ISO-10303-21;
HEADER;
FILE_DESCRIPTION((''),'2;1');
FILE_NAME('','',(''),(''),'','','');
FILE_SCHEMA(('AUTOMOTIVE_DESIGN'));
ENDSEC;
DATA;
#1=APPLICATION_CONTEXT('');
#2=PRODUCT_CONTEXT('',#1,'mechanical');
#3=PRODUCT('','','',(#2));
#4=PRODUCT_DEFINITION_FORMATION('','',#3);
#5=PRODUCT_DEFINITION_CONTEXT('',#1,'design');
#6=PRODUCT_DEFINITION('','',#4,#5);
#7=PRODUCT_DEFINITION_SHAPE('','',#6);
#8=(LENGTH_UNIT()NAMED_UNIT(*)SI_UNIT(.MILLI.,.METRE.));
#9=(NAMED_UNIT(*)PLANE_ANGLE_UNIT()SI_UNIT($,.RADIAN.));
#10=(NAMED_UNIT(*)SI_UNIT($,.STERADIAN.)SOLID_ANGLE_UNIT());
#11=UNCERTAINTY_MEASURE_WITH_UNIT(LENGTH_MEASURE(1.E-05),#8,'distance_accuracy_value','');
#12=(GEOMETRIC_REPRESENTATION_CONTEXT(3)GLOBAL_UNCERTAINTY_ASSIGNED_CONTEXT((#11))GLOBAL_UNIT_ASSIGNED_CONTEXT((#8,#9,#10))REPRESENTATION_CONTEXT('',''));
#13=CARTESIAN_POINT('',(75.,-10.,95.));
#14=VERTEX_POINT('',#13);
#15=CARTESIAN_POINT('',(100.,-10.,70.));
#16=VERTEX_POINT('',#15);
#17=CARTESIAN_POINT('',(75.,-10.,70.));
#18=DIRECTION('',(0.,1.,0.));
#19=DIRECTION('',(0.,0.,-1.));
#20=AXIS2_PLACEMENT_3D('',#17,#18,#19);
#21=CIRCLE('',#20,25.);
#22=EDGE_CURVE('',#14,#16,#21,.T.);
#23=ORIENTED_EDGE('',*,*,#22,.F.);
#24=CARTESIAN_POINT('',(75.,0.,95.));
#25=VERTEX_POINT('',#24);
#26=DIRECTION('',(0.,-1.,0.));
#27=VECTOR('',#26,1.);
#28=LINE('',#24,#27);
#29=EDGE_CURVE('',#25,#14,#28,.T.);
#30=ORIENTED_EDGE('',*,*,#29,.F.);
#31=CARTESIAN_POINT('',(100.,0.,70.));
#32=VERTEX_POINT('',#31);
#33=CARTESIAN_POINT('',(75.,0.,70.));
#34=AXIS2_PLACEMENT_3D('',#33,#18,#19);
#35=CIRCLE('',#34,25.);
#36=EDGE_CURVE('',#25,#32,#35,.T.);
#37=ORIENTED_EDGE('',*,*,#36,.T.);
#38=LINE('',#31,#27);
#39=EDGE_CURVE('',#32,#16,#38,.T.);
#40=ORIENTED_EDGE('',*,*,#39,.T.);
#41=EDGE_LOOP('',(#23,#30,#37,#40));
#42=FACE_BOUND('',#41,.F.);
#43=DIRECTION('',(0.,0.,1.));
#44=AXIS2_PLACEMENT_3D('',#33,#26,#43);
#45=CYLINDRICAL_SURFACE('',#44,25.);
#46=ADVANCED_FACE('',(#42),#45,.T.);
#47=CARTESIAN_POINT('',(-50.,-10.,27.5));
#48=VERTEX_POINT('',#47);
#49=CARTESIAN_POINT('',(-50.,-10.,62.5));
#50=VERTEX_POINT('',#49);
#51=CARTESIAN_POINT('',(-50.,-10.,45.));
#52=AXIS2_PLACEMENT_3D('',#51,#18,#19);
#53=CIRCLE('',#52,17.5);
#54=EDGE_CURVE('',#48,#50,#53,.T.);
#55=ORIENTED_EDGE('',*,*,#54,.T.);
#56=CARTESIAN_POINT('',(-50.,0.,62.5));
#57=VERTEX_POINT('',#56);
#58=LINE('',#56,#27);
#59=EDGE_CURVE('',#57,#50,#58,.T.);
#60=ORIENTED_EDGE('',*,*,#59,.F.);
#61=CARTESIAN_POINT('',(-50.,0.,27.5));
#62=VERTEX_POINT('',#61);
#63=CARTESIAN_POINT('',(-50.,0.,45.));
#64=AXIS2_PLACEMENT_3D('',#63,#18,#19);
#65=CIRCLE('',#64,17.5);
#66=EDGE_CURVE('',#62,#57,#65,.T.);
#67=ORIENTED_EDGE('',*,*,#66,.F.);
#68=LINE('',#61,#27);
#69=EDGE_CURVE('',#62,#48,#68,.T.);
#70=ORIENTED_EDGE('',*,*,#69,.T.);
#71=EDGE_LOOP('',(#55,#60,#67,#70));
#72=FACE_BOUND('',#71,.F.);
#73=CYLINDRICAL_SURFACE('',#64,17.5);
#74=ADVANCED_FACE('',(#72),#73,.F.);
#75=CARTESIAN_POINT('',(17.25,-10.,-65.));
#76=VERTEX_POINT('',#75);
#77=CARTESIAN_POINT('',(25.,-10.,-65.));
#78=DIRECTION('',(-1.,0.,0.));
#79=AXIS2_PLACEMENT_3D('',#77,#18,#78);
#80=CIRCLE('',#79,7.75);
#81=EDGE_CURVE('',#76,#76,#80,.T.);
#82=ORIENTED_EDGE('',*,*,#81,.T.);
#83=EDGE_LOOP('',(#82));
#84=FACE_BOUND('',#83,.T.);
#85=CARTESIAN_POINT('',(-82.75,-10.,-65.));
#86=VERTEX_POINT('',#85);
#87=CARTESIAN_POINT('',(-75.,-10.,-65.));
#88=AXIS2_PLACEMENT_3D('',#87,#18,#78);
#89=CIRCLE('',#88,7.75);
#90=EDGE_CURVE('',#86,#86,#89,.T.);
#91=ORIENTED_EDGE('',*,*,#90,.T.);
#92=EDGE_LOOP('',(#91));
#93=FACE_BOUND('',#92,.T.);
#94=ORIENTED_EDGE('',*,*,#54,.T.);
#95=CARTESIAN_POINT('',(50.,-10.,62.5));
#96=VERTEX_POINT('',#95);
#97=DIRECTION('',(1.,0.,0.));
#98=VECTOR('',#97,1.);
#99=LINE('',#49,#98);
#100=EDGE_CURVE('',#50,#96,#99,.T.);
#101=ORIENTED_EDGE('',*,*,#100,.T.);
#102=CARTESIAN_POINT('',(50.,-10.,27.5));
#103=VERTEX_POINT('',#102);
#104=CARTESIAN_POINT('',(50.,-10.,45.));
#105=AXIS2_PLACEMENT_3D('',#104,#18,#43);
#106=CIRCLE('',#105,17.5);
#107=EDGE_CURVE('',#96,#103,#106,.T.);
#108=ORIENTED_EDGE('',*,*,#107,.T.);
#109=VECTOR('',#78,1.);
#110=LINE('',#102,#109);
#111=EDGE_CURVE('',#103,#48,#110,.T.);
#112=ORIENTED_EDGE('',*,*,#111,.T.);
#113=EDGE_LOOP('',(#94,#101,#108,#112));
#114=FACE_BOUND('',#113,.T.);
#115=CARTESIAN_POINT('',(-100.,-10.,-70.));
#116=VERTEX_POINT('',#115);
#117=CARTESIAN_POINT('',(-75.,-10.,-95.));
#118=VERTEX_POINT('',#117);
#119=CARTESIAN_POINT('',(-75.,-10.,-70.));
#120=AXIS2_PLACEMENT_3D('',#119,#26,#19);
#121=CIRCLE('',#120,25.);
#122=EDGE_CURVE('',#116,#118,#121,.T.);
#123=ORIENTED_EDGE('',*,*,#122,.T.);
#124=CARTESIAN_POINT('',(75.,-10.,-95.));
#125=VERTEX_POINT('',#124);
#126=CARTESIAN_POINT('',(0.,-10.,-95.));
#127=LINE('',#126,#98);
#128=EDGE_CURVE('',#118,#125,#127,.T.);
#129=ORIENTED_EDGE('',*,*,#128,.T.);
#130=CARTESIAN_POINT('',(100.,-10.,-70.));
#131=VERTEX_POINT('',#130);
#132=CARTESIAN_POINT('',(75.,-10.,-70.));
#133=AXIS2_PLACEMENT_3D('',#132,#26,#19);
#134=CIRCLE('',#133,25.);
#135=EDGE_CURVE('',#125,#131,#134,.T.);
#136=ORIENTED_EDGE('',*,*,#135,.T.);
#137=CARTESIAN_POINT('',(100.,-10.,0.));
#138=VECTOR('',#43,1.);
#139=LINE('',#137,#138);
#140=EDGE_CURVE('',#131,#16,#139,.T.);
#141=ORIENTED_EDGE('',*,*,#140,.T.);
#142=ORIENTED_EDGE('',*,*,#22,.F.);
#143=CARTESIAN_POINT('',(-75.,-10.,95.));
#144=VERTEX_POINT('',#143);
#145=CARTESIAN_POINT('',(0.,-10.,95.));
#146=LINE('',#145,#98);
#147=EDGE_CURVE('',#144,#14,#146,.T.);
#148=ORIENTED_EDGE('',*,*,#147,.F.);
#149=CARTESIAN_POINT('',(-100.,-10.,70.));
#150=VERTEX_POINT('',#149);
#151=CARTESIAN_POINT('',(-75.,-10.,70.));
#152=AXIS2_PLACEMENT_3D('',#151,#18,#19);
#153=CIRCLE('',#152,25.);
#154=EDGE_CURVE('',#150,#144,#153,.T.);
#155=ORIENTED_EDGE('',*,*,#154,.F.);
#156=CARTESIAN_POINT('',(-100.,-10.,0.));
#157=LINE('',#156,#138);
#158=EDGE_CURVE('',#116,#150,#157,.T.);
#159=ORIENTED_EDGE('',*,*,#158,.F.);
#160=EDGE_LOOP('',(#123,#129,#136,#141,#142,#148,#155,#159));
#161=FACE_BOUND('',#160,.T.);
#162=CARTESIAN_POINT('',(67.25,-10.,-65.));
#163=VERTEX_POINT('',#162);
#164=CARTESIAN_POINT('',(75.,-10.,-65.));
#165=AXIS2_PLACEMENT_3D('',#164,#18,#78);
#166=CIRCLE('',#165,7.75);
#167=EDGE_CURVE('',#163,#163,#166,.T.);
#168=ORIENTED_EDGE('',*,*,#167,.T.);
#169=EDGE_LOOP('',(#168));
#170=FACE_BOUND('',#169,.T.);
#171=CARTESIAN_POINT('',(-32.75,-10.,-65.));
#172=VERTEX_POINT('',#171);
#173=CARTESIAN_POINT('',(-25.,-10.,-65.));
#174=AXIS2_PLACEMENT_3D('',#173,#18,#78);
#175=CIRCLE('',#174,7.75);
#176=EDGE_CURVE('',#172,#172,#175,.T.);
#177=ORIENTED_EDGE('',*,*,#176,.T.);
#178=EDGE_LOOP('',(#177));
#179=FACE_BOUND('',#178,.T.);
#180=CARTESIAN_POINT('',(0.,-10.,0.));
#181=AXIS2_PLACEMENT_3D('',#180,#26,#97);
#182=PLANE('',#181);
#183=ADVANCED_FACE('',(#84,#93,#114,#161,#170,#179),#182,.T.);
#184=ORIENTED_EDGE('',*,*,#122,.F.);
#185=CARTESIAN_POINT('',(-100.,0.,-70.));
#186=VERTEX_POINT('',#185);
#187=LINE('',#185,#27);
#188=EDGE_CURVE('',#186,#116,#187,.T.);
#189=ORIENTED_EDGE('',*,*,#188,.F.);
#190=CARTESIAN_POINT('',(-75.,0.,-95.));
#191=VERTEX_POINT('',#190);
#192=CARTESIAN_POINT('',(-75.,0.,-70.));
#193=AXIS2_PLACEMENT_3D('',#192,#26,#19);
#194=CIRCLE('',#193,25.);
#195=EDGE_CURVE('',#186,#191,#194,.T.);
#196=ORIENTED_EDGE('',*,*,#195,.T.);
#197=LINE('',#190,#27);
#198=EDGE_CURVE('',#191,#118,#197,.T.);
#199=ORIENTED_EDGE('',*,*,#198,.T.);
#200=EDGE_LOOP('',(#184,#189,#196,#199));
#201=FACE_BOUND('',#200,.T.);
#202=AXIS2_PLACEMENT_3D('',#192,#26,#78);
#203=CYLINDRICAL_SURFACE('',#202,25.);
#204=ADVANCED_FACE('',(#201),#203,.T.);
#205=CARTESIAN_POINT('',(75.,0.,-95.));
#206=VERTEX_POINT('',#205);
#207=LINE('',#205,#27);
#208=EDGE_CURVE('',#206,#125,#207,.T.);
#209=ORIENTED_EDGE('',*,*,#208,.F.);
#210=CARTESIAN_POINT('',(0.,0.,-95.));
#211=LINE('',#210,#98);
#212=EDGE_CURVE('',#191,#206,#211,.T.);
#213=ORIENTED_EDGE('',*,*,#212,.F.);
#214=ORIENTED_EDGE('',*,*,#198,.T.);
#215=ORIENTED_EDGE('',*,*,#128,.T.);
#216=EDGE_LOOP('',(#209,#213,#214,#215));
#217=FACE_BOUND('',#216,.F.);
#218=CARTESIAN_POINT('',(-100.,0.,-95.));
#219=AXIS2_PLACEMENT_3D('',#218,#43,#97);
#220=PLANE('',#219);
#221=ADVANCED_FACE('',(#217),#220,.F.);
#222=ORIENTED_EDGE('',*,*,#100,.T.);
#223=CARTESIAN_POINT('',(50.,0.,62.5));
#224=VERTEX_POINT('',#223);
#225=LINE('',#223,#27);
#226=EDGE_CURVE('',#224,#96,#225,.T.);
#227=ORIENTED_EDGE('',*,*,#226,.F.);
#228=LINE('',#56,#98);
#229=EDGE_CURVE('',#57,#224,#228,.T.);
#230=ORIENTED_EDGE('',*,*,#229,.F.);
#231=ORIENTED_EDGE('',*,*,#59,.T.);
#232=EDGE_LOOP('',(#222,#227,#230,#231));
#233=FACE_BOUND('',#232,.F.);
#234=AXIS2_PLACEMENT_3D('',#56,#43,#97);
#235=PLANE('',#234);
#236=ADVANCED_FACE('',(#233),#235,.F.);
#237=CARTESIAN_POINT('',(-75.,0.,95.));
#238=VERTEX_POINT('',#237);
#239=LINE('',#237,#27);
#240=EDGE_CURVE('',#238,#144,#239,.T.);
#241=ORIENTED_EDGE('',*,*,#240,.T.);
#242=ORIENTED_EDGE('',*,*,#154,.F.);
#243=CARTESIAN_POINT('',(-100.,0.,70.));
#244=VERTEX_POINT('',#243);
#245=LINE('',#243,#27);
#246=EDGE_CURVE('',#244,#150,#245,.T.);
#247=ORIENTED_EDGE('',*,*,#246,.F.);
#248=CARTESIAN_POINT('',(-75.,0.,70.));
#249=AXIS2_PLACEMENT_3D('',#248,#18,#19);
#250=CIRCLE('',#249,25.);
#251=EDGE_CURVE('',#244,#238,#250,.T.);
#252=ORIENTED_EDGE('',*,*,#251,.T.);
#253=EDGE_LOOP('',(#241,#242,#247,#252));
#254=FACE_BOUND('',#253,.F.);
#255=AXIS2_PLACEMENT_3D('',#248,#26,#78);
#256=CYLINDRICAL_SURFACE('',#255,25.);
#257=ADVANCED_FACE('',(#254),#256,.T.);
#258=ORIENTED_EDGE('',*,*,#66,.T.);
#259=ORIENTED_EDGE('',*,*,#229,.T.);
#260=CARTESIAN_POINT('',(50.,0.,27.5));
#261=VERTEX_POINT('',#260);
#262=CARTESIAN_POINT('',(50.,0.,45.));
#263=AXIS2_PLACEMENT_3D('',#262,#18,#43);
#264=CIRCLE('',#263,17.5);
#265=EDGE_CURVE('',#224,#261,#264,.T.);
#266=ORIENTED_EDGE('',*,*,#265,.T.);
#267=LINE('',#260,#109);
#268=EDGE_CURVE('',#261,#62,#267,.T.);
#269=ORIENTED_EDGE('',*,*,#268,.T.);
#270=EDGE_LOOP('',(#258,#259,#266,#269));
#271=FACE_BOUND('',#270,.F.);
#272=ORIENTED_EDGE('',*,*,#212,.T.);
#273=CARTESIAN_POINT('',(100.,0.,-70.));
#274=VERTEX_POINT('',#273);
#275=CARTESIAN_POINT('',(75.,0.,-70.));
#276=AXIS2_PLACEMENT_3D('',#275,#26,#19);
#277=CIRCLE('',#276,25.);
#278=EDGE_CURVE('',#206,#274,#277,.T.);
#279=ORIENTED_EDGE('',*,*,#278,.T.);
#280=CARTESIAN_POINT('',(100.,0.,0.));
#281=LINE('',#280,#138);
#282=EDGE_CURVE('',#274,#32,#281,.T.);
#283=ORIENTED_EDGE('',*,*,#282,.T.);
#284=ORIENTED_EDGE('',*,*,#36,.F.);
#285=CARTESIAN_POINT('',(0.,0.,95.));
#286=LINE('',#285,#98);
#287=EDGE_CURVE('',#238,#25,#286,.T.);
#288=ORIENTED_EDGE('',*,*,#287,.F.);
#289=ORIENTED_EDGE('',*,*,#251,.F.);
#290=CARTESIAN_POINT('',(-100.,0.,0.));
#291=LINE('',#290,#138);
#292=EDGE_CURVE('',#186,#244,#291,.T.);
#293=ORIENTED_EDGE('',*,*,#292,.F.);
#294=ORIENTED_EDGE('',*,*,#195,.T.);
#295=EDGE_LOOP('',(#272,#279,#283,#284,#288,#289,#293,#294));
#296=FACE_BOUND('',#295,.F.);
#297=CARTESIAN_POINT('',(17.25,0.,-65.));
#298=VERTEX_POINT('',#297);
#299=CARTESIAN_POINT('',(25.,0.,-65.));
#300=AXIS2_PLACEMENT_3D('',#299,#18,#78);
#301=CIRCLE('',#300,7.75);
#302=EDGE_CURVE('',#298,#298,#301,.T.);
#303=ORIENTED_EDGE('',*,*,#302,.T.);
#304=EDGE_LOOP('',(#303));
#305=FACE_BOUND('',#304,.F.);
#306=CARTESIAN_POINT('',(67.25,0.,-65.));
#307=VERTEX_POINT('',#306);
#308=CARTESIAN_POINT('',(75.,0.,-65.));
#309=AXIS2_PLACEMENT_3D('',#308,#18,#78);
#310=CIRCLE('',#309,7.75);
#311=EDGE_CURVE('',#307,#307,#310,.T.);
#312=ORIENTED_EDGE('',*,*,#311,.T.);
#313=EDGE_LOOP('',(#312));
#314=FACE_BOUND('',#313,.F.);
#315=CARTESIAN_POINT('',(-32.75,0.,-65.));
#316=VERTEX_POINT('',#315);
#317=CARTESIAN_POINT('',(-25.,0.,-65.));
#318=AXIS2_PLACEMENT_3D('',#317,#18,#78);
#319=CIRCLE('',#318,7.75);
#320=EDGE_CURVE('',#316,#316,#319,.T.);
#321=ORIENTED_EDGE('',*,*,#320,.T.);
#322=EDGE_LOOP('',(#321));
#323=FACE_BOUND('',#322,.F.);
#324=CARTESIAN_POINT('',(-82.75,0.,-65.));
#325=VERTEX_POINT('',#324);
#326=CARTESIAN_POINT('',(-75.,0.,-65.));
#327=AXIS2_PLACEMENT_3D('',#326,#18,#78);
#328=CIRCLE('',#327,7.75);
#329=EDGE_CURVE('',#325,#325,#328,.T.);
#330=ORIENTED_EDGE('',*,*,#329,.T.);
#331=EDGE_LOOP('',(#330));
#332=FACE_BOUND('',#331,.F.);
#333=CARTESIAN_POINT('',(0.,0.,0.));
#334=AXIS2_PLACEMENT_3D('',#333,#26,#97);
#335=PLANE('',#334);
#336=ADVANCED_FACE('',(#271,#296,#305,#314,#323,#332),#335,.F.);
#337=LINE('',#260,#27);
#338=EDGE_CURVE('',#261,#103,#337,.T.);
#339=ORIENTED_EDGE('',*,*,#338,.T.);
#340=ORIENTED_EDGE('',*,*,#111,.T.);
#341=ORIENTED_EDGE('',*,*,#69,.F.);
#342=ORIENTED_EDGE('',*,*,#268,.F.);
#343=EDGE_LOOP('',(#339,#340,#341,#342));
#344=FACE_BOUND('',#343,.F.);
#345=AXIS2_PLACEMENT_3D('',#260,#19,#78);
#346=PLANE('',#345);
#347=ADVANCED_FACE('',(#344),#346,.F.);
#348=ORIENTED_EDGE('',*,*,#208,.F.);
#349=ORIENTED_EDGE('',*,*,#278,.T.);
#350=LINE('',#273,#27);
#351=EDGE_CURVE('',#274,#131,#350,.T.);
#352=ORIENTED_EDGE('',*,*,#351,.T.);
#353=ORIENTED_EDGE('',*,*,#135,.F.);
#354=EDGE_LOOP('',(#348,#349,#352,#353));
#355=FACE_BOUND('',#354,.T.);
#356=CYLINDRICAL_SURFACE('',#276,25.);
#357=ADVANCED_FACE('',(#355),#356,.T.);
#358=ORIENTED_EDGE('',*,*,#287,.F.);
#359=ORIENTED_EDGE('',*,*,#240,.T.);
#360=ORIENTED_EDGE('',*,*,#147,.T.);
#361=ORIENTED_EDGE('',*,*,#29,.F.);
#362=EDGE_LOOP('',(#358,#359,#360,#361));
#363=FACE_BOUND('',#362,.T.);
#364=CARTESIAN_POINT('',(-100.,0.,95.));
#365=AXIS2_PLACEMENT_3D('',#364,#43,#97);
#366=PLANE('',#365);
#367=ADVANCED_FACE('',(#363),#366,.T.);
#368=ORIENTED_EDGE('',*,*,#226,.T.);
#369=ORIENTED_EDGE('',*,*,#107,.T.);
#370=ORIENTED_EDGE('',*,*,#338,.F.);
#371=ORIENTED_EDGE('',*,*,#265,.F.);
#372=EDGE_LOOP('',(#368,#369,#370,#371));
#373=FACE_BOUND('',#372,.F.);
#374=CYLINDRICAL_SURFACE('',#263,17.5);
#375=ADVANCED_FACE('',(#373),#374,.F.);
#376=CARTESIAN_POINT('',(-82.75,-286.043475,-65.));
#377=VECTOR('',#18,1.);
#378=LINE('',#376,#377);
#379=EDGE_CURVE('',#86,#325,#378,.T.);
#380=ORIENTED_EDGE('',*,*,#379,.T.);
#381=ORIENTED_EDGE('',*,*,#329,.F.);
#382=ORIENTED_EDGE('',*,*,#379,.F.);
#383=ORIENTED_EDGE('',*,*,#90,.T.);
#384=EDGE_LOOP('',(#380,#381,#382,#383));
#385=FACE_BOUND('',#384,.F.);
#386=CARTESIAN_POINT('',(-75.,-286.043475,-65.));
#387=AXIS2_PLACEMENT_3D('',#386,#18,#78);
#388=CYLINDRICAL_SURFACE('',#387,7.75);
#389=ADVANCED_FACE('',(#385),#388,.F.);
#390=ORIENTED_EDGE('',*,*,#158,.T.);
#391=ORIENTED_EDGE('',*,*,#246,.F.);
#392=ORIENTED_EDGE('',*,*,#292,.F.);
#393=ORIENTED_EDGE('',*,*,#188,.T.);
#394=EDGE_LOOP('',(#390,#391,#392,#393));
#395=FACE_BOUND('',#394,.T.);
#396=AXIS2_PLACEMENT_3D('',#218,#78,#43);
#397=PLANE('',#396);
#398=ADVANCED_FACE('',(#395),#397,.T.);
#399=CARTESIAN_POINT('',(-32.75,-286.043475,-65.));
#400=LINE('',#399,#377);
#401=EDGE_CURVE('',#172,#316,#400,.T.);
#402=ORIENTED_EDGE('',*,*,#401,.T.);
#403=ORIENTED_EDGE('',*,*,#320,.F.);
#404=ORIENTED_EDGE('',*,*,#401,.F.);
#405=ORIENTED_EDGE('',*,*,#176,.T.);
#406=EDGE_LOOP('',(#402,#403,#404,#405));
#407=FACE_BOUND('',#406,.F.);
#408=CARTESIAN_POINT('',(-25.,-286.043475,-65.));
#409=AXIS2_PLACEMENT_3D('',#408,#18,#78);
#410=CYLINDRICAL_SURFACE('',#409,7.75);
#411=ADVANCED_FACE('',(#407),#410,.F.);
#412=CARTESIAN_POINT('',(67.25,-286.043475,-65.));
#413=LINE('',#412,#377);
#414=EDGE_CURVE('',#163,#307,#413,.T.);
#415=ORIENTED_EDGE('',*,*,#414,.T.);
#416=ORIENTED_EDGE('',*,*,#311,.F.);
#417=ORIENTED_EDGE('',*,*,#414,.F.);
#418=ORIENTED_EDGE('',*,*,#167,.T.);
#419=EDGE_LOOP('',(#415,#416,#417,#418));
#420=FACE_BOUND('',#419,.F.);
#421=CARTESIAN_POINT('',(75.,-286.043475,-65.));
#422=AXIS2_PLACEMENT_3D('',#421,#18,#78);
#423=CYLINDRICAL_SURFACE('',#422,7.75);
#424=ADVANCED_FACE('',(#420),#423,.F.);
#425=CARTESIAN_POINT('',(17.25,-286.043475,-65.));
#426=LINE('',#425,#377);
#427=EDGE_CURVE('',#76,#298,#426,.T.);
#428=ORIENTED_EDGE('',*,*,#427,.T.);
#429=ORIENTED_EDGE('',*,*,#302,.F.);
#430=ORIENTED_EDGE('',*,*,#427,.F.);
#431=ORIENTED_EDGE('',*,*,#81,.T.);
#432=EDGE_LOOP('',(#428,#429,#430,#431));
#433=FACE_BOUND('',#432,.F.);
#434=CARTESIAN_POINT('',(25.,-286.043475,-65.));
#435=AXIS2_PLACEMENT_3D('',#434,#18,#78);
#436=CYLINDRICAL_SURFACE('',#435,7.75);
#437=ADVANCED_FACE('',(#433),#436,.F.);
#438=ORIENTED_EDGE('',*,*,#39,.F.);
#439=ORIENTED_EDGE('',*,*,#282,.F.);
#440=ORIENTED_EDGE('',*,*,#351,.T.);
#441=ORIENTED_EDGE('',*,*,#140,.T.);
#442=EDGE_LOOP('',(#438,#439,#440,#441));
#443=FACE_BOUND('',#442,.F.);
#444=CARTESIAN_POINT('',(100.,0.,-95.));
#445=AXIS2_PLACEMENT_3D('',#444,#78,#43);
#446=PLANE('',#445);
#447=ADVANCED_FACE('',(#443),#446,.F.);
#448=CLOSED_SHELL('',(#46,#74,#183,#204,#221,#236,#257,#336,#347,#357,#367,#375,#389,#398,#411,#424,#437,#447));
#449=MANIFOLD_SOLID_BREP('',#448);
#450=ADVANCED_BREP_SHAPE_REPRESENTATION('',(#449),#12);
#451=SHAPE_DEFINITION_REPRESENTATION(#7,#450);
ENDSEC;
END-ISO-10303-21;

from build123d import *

# Parameters (mm, degrees)
F0_W     = 200
F0_H     = 190
F1_DEPTH = 10
F3_D     = 15.5
F4_R     = 25


with BuildPart() as f1:
    # F0 (on Front) → F1 (new body)
    with BuildSketch(Plane.XZ):
        Rectangle(F0_W, F0_H)
        with BuildLine():
            ThreePointArc((-50, 27.5), (-67.5, 45), (-50, 62.5))
            Line((-50, 62.5), (50, 62.5))
            ThreePointArc((50, 62.5), (67.5, 45), (50, 27.5))
            Line((50, 27.5), (-50, 27.5))
        make_face(mode=Mode.SUBTRACT)
    extrude(amount=F1_DEPTH)

    # F3 (through all)
    with Locations(Plane.XZ.offset(10)):
        with Locations((-75, -65), (-25, -65), (25, -65), (75, -65)):
            Hole(F3_D / 2)

    # F4
    f4_edges = [f1.edges().sort_by_distance(p)[0] for p in [
        (100, -5, 95),
        (-100, -5, 95),
        (100, -5, -95),
        (-100, -5, -95),
    ]]
    fillet(f4_edges, radius=F4_R)


solid = f1.part
